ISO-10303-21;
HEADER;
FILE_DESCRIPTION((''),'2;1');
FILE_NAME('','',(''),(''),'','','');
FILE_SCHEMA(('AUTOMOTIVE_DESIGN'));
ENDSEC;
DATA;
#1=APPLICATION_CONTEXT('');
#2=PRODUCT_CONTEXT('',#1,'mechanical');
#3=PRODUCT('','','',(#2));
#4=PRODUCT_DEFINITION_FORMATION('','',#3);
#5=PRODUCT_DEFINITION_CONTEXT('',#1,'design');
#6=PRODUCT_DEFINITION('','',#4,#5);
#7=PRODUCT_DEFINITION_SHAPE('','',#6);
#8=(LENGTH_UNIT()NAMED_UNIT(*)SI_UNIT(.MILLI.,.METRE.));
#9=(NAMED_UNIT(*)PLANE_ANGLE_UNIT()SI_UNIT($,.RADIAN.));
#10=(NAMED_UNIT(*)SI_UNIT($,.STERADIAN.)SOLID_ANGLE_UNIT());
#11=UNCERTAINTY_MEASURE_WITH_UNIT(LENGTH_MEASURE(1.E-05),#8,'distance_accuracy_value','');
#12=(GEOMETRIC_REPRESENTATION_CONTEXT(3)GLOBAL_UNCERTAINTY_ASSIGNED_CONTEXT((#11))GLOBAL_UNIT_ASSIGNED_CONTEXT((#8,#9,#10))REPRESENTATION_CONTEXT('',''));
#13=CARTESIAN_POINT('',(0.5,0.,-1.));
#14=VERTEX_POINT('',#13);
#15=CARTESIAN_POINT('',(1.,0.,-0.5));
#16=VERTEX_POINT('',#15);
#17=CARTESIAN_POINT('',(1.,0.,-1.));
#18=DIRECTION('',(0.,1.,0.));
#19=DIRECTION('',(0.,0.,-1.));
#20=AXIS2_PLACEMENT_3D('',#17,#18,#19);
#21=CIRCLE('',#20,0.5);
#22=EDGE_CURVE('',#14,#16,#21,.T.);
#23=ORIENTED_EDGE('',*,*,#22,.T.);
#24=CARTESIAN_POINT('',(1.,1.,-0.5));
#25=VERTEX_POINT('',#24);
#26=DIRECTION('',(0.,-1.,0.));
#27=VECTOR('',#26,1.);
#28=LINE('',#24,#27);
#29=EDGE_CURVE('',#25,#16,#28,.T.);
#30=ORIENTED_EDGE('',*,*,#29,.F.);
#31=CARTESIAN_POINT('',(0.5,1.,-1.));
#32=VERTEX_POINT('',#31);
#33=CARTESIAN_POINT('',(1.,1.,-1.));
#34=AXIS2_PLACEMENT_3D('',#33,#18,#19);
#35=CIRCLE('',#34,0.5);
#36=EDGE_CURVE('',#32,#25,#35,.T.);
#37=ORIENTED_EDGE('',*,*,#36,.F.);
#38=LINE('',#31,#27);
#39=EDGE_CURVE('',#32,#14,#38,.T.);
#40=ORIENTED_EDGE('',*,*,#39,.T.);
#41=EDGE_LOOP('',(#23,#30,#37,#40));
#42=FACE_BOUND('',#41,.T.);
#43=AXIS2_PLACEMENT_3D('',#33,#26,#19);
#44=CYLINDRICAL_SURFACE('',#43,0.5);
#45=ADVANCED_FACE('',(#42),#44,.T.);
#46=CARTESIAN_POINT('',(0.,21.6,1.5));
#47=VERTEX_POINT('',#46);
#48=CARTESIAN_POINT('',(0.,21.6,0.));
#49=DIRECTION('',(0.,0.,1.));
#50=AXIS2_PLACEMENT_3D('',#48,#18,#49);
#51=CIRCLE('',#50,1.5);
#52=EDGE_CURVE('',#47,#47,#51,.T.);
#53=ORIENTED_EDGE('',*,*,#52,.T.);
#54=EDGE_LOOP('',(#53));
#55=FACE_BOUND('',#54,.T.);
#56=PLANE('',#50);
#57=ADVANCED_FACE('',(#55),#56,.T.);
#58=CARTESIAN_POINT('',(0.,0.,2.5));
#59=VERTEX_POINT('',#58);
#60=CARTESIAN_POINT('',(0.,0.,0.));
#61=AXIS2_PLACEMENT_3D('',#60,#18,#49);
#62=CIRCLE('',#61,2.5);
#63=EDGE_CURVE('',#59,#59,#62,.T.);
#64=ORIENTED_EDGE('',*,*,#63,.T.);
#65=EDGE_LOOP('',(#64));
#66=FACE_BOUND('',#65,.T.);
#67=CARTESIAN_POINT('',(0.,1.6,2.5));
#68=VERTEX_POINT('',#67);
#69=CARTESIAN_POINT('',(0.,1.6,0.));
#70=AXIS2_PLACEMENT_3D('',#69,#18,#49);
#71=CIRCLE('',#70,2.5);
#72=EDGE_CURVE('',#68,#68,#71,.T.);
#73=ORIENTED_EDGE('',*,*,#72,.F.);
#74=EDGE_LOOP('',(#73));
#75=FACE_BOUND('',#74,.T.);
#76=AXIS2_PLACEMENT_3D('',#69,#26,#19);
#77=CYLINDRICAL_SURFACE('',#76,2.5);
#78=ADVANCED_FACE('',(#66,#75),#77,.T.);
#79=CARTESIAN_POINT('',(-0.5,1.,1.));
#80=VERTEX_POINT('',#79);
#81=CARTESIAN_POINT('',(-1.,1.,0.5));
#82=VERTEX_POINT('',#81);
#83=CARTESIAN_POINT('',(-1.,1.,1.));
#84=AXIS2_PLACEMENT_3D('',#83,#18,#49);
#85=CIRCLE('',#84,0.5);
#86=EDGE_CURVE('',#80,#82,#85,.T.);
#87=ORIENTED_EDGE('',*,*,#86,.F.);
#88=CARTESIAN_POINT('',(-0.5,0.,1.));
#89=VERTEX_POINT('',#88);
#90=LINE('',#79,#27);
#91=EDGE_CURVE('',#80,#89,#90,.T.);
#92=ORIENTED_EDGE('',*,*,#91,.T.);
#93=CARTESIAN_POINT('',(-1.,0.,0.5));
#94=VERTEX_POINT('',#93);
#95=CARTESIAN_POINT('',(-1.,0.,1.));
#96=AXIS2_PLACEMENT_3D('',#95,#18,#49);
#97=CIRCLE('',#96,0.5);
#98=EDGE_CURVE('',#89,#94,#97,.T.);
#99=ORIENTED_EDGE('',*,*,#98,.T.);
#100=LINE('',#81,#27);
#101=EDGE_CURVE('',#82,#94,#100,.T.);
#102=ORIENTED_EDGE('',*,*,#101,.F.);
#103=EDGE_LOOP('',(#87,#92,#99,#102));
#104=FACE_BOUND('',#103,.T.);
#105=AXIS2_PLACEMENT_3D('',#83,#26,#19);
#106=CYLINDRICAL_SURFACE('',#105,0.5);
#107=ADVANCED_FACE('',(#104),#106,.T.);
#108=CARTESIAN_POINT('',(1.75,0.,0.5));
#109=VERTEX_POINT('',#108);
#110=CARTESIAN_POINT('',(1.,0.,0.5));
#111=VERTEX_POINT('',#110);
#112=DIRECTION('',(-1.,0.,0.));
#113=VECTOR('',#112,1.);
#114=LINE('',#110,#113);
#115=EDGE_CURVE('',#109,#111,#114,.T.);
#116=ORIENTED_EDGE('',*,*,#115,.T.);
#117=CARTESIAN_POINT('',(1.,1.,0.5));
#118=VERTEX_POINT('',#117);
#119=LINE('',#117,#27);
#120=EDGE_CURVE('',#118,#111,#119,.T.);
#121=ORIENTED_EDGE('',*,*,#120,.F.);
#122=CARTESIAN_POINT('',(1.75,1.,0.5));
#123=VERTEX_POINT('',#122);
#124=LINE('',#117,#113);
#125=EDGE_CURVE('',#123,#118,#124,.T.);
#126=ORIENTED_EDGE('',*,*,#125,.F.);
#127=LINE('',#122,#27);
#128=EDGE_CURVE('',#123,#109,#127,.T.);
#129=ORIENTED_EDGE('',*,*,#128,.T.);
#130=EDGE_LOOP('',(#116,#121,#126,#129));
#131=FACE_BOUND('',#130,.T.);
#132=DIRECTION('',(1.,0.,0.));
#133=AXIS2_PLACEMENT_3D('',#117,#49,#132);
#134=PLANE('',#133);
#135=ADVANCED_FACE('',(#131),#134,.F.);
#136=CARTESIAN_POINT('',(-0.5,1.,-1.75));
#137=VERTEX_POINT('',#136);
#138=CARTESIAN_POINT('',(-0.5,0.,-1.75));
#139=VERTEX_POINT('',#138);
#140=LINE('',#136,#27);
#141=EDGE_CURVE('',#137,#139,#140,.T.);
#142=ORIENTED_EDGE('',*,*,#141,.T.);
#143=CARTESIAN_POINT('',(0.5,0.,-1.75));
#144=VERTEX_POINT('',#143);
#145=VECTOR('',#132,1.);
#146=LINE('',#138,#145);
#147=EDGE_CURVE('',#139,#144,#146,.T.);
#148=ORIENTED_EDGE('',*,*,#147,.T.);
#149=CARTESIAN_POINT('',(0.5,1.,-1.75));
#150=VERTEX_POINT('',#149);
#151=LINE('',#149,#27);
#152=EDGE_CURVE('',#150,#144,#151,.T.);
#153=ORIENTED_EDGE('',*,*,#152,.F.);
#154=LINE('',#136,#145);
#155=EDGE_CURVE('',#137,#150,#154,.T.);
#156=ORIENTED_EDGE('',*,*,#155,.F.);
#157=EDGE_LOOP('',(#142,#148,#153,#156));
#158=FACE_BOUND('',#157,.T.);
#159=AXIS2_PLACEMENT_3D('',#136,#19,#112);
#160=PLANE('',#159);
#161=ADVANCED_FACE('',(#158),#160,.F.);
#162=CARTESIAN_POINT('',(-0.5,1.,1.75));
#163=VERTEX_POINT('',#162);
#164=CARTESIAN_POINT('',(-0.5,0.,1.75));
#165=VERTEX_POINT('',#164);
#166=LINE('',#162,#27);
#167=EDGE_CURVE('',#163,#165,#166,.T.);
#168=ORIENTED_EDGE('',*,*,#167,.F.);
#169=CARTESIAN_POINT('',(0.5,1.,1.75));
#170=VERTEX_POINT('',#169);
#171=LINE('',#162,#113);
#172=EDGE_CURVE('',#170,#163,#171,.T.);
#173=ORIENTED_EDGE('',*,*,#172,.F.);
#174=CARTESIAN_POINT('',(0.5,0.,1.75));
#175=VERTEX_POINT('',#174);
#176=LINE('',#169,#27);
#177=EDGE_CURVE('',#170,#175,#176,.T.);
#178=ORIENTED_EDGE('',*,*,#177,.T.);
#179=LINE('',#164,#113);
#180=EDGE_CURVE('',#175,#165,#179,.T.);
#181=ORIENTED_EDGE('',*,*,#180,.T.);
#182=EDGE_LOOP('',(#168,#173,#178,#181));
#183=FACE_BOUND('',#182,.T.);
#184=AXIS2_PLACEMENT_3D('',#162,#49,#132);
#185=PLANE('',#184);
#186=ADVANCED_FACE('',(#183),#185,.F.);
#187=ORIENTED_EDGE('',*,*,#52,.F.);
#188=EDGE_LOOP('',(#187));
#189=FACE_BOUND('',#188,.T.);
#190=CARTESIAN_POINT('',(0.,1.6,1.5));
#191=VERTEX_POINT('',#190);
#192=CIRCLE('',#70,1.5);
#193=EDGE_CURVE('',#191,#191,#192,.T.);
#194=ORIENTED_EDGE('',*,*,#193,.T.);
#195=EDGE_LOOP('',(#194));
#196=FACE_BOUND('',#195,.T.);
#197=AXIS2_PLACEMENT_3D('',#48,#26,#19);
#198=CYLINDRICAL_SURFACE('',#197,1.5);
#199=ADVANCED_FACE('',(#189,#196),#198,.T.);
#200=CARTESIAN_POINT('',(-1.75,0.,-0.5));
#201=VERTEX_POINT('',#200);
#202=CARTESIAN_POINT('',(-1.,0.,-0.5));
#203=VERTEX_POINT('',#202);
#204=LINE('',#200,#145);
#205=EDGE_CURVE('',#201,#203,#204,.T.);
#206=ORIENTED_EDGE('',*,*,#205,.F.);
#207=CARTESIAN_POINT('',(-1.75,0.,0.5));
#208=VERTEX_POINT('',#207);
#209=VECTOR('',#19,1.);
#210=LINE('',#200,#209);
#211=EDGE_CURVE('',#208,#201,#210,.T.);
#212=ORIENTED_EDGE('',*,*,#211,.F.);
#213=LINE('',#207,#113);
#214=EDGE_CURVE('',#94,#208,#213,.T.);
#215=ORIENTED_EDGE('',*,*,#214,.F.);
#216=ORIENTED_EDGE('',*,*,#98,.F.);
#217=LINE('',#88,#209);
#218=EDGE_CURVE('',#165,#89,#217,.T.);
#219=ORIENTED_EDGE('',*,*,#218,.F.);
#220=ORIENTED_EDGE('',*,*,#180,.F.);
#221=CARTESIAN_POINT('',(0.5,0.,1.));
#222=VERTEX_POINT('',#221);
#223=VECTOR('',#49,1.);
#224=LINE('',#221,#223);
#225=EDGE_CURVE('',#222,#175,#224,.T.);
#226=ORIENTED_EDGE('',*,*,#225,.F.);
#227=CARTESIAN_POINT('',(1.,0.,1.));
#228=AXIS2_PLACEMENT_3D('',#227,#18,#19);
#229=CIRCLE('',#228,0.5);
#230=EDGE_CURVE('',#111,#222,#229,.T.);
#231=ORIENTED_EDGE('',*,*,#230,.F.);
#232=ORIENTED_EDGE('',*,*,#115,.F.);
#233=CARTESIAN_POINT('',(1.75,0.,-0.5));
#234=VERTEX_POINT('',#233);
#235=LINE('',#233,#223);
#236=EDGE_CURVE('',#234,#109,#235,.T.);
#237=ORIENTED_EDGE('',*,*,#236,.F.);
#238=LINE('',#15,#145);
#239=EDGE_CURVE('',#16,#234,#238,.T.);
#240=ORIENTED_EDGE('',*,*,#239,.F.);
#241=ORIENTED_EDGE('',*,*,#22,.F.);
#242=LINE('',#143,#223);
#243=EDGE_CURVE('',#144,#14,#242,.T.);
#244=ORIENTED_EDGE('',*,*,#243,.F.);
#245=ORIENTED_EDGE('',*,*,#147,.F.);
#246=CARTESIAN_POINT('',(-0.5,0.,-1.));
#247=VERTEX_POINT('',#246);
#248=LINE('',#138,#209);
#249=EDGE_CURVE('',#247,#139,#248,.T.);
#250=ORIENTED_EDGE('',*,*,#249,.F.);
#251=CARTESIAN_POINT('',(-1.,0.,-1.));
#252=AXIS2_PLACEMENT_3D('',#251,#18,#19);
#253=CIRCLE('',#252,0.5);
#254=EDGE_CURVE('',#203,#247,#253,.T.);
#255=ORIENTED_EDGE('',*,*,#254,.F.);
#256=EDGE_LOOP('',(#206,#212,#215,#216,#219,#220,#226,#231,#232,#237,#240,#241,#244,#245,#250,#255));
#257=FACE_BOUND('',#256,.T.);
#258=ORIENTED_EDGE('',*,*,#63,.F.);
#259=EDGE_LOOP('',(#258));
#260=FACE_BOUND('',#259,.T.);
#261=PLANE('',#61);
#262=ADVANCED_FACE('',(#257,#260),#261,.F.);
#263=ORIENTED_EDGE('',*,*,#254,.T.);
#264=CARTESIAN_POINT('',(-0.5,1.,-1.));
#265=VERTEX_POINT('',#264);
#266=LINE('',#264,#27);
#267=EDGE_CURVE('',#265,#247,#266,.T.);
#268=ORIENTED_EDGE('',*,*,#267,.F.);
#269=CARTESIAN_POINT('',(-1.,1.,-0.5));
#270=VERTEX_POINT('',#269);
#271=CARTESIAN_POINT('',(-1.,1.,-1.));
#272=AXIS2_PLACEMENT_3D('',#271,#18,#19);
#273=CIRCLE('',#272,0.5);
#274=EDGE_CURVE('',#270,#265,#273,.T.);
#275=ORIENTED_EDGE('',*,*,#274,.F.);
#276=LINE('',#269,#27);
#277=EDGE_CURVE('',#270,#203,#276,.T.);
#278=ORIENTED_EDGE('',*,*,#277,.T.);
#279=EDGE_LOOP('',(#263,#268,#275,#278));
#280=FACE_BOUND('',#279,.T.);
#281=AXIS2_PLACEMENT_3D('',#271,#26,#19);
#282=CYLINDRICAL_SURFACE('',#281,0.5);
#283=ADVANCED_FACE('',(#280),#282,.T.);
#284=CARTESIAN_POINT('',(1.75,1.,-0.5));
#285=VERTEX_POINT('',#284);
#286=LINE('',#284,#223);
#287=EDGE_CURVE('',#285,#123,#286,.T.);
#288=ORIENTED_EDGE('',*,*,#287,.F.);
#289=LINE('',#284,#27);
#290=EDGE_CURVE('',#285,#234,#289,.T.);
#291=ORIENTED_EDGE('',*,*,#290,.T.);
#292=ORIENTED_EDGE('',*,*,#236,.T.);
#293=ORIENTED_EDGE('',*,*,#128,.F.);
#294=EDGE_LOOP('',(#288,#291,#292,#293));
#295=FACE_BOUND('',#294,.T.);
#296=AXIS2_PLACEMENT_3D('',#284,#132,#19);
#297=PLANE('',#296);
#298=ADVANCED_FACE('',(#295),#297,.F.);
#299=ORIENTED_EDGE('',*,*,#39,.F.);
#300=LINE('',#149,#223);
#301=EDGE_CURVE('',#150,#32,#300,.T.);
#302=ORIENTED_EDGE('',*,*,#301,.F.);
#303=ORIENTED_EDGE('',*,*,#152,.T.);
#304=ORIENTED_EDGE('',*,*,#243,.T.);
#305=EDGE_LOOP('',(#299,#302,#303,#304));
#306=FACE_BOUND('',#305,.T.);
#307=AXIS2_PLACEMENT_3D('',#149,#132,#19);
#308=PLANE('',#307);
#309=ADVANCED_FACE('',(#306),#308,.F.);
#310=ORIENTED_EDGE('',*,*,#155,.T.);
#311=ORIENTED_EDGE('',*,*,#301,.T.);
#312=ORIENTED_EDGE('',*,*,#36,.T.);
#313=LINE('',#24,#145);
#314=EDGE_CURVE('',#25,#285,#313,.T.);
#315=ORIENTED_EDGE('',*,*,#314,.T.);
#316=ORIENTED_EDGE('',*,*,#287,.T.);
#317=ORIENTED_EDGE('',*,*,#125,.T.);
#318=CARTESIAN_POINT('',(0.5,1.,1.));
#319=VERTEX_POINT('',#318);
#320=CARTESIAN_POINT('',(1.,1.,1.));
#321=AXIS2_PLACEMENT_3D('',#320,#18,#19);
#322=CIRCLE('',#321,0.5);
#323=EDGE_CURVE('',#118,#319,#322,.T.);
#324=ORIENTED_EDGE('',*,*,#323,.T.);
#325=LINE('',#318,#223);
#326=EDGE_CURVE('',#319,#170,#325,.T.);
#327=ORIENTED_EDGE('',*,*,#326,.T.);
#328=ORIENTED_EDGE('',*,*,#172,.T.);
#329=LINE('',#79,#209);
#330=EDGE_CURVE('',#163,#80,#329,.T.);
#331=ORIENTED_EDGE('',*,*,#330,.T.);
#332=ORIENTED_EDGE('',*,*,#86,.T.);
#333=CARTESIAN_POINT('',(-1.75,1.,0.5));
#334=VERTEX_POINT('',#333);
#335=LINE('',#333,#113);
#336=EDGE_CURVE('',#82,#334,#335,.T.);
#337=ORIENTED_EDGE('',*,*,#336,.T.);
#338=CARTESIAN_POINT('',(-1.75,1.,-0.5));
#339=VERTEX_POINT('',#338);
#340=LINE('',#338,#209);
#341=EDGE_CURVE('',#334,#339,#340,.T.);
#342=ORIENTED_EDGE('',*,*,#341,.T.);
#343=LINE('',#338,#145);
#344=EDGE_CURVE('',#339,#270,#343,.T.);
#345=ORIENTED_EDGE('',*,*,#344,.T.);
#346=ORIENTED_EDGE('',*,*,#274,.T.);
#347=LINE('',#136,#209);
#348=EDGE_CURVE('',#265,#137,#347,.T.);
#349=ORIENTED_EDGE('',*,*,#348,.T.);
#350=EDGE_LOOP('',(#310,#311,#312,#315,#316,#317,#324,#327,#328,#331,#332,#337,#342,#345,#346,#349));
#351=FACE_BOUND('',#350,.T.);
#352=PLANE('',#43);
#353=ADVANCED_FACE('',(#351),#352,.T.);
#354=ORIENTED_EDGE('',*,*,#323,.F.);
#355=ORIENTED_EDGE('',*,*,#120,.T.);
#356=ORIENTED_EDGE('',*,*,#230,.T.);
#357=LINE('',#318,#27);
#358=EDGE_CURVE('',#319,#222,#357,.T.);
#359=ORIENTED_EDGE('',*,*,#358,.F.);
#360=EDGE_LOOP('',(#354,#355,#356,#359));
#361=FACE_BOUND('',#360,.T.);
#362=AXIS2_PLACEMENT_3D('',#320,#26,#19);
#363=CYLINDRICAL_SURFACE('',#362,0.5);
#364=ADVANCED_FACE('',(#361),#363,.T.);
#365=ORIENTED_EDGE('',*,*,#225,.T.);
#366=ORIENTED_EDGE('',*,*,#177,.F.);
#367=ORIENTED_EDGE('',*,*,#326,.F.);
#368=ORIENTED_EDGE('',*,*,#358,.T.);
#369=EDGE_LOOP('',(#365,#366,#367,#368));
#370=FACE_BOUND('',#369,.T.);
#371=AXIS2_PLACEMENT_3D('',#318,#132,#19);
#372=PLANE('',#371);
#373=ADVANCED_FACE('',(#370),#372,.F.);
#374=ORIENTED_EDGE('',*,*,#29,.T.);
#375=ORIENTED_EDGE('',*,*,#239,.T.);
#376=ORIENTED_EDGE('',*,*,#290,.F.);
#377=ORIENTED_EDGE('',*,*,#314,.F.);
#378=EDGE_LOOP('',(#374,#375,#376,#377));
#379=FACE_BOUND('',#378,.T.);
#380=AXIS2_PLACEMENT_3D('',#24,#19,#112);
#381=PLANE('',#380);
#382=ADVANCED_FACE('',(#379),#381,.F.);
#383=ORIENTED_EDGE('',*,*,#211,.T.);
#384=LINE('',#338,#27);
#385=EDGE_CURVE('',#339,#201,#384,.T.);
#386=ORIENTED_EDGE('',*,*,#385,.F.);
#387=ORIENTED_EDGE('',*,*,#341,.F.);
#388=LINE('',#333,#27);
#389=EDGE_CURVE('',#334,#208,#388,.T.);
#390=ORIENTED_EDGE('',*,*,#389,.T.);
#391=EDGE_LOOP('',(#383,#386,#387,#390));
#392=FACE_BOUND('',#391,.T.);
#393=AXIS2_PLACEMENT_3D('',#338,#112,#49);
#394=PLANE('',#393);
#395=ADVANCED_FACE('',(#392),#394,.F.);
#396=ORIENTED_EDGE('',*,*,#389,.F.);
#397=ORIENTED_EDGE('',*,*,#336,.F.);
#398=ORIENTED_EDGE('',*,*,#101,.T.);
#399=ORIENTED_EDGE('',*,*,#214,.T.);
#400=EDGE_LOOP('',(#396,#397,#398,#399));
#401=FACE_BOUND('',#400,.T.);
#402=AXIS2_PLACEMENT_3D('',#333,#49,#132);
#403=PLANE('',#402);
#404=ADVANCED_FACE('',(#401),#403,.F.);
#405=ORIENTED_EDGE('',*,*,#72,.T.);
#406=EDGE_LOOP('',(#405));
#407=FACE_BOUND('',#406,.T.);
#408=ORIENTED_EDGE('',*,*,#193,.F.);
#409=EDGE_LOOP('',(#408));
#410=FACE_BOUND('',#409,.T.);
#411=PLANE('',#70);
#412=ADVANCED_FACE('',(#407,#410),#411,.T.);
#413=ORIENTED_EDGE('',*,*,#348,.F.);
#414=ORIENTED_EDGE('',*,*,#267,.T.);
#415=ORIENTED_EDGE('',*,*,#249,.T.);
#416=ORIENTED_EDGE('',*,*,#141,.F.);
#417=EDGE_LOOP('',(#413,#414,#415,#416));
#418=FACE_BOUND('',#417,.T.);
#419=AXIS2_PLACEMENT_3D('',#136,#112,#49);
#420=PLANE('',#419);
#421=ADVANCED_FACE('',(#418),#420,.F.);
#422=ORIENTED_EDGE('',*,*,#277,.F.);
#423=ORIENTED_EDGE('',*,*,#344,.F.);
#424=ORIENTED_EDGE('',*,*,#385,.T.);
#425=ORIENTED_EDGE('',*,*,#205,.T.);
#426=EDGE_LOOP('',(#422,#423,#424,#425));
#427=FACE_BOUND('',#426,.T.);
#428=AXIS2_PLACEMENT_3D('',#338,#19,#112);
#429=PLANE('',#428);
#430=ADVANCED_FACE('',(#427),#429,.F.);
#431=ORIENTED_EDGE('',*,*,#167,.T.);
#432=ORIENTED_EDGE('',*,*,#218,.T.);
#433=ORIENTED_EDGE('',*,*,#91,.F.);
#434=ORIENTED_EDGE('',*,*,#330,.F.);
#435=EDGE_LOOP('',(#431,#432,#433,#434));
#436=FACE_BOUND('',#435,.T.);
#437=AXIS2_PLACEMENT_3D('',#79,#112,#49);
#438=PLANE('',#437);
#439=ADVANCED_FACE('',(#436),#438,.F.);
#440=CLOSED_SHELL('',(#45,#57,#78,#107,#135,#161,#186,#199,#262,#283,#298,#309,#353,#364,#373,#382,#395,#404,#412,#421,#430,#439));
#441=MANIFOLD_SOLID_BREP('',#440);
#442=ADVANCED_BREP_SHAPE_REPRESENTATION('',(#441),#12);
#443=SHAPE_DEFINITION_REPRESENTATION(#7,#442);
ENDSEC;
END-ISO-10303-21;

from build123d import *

# Parameters (mm, degrees)
SKETCH_1_R          = 2.5
EXTRUDE_1_DEPTH     = 1.6
SKETCH_2_R          = 1.5
EXTRUDE_2_DEPTH     = 20
CUT_EXTRUDE_1_DEPTH = 1


with BuildPart() as part:
    # 草图1 → 凸台-拉伸1 (new body)
    with BuildSketch(Plane(origin=(0, 0, 0), x_dir=(1, 0, 0), z_dir=(0, 1, 0))):
        Circle(SKETCH_1_R)
    extrude(amount=EXTRUDE_1_DEPTH)

    # 草图2 → 凸台-拉伸2 (add)
    with BuildSketch(Plane(origin=(0, 1.6, 0), x_dir=(1, 0, 0), z_dir=(0, 1, 0))):
        Circle(SKETCH_2_R)
    extrude(amount=EXTRUDE_2_DEPTH)

    # 草图3 → 切除-拉伸1 (cut)
    with BuildSketch(Plane.XZ):
        with BuildLine():
            Line((-0.5, 1), (-0.5, 1.75))
            Line((-0.5, 1.75), (0.5, 1.75))
            Line((0.5, 1.75), (0.5, 1))
            ThreePointArc((0.5, 1), (0.646446609, 0.646446609), (1, 0.5))
            Line((1, 0.5), (1.75, 0.5))
            Line((1.75, 0.5), (1.75, -0.5))
            Line((1.75, -0.5), (1, -0.5))
            ThreePointArc((1, -0.5), (0.646446609, -0.646446609), (0.5, -1))
            Line((0.5, -1), (0.5, -1.75))
            Line((0.5, -1.75), (-0.5, -1.75))
            Line((-0.5, -1.75), (-0.5, -1))
            ThreePointArc((-0.5, -1), (-0.646446609, -0.646446609), (-1, -0.5))
            Line((-1, -0.5), (-1.75, -0.5))
            Line((-1.75, -0.5), (-1.75, 0.5))
            Line((-1.75, 0.5), (-1, 0.5))
            ThreePointArc((-1, 0.5), (-0.646446609, 0.646446609), (-0.5, 1))
        make_face()
    extrude(amount=-CUT_EXTRUDE_1_DEPTH, mode=Mode.SUBTRACT)


solid = part.part
